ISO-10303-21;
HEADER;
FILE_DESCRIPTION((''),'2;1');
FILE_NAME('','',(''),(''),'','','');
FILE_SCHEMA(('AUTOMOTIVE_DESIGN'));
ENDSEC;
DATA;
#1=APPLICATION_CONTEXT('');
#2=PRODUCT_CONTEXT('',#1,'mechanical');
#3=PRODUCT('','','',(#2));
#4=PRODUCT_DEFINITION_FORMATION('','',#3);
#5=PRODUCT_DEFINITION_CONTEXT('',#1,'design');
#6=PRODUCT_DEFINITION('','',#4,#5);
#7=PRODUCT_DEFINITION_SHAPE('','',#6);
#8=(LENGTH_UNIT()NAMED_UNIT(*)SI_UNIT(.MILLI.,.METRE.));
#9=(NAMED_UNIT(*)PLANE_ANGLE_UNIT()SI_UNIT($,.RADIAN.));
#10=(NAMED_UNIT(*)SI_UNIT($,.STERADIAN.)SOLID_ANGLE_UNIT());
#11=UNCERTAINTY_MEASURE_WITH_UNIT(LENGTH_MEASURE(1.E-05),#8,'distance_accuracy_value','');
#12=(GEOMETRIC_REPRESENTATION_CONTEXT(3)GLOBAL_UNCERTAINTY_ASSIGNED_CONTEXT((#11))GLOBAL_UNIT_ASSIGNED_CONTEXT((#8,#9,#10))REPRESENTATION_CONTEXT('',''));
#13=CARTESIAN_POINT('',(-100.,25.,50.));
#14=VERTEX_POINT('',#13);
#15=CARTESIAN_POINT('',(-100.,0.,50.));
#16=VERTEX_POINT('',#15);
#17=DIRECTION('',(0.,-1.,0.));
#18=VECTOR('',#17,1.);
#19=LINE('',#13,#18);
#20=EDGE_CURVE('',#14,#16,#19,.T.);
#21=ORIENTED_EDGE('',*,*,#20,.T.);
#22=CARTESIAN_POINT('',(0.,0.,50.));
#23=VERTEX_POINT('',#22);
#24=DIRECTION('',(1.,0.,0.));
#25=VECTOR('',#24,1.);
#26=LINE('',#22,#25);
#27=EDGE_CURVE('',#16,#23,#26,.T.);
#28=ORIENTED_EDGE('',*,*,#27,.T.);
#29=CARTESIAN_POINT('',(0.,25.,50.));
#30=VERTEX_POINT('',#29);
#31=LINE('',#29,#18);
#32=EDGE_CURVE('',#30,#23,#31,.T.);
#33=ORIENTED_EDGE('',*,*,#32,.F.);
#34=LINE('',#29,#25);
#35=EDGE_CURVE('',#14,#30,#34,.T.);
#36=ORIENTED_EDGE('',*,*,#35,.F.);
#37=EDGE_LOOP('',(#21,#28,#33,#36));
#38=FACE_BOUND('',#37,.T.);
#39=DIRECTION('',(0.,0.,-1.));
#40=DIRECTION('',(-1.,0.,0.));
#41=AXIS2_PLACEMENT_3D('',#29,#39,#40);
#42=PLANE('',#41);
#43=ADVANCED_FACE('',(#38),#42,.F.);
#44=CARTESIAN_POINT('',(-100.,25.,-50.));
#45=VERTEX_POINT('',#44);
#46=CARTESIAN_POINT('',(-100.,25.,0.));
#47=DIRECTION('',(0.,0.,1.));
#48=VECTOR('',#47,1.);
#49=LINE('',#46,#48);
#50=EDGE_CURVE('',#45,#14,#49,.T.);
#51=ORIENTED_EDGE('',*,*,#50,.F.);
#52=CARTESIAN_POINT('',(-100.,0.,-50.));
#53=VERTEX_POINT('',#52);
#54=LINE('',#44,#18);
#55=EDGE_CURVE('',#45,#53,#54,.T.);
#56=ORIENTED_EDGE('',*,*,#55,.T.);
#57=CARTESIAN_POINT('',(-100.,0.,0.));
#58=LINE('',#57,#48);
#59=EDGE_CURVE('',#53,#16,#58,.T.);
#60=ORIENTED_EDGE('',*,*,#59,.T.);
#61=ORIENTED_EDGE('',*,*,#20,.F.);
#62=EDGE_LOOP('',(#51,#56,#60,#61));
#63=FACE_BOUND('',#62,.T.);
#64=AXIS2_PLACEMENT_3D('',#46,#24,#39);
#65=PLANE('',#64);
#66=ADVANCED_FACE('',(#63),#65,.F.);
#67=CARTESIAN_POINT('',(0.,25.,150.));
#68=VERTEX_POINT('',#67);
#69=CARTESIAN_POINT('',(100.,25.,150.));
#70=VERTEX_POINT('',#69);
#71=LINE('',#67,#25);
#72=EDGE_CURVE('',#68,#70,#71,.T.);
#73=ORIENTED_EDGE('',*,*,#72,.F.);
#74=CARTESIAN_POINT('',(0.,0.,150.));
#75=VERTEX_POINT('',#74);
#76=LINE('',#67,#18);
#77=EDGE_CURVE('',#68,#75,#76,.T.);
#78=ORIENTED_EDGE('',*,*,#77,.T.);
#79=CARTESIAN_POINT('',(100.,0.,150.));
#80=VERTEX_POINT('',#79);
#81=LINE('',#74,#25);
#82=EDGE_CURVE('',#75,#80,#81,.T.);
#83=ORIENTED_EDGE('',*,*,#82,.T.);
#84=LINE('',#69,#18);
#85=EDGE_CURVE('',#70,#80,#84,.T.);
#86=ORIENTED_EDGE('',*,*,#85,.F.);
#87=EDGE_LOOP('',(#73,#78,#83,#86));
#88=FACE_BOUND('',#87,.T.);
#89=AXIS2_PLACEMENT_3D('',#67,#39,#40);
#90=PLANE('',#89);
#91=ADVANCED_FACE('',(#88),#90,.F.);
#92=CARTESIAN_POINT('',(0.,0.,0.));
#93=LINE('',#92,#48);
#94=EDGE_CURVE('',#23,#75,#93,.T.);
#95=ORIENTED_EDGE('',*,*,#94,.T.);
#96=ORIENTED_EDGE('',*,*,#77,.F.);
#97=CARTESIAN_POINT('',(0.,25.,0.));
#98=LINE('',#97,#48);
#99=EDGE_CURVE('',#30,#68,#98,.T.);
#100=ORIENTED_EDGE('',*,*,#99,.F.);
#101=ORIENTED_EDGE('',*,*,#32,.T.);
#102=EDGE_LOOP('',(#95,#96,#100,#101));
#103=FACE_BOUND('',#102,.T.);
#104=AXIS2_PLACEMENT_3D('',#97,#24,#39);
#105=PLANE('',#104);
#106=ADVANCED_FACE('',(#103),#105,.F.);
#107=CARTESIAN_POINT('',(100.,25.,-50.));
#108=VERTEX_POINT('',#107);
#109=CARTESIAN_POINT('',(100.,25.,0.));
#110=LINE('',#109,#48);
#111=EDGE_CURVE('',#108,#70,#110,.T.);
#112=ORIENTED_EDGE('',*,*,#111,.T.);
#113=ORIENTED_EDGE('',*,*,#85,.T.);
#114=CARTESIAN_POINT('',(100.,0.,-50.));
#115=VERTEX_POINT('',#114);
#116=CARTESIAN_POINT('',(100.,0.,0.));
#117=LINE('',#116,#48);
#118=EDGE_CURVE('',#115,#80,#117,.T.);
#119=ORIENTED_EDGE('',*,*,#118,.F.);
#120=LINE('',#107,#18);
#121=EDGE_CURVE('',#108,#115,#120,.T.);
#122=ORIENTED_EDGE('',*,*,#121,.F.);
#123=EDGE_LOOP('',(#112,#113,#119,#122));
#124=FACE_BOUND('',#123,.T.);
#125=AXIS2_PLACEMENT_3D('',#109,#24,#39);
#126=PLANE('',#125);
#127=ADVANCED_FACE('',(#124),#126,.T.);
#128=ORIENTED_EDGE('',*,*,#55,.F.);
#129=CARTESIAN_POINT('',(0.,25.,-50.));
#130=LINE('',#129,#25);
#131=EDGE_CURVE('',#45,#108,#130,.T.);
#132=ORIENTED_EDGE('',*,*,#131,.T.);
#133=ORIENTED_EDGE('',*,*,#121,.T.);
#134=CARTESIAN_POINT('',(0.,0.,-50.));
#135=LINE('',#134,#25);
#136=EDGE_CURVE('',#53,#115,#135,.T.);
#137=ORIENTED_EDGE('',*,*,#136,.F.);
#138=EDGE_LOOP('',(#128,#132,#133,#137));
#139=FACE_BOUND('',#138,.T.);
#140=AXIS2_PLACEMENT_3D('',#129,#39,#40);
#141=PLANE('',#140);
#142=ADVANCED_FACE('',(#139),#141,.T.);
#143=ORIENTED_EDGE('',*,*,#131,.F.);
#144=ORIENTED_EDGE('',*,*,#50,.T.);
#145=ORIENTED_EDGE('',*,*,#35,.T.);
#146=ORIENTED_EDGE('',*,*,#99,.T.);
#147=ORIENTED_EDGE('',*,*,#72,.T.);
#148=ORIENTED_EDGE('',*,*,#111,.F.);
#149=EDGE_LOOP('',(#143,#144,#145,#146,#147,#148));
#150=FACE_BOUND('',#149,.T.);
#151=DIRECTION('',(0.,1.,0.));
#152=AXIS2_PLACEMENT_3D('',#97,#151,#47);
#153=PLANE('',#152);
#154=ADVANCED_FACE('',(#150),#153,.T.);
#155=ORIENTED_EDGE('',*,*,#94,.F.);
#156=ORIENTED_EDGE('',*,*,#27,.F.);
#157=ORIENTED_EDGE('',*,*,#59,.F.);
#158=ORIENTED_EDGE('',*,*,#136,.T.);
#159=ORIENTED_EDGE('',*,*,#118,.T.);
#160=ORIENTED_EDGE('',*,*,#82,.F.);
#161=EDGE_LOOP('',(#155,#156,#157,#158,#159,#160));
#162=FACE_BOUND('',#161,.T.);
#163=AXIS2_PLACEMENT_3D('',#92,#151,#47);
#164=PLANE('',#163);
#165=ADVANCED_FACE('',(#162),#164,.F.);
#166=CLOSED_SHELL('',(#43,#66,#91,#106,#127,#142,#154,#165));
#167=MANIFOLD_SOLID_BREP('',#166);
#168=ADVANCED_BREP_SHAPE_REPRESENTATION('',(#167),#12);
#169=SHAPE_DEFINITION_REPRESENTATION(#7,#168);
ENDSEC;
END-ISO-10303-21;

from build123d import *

# Parameters (mm, degrees)
SKETCH1_W           = 100
SKETCH1_H           = 100
SKETCH1_W_2         = 200
BOSS_EXTRUDE1_DEPTH = 25


with BuildPart() as part:
    # Sketch1 → Boss-Extrude1 (new body)
    with BuildSketch(Plane(origin=(0, 0, 0), x_dir=(1, 0, 0), z_dir=(0, 1, 0))):
        with Locations((50, -100)):
            Rectangle(SKETCH1_W, SKETCH1_H)
        Rectangle(SKETCH1_W_2, SKETCH1_H)
    extrude(amount=BOSS_EXTRUDE1_DEPTH)


solid = part.part
